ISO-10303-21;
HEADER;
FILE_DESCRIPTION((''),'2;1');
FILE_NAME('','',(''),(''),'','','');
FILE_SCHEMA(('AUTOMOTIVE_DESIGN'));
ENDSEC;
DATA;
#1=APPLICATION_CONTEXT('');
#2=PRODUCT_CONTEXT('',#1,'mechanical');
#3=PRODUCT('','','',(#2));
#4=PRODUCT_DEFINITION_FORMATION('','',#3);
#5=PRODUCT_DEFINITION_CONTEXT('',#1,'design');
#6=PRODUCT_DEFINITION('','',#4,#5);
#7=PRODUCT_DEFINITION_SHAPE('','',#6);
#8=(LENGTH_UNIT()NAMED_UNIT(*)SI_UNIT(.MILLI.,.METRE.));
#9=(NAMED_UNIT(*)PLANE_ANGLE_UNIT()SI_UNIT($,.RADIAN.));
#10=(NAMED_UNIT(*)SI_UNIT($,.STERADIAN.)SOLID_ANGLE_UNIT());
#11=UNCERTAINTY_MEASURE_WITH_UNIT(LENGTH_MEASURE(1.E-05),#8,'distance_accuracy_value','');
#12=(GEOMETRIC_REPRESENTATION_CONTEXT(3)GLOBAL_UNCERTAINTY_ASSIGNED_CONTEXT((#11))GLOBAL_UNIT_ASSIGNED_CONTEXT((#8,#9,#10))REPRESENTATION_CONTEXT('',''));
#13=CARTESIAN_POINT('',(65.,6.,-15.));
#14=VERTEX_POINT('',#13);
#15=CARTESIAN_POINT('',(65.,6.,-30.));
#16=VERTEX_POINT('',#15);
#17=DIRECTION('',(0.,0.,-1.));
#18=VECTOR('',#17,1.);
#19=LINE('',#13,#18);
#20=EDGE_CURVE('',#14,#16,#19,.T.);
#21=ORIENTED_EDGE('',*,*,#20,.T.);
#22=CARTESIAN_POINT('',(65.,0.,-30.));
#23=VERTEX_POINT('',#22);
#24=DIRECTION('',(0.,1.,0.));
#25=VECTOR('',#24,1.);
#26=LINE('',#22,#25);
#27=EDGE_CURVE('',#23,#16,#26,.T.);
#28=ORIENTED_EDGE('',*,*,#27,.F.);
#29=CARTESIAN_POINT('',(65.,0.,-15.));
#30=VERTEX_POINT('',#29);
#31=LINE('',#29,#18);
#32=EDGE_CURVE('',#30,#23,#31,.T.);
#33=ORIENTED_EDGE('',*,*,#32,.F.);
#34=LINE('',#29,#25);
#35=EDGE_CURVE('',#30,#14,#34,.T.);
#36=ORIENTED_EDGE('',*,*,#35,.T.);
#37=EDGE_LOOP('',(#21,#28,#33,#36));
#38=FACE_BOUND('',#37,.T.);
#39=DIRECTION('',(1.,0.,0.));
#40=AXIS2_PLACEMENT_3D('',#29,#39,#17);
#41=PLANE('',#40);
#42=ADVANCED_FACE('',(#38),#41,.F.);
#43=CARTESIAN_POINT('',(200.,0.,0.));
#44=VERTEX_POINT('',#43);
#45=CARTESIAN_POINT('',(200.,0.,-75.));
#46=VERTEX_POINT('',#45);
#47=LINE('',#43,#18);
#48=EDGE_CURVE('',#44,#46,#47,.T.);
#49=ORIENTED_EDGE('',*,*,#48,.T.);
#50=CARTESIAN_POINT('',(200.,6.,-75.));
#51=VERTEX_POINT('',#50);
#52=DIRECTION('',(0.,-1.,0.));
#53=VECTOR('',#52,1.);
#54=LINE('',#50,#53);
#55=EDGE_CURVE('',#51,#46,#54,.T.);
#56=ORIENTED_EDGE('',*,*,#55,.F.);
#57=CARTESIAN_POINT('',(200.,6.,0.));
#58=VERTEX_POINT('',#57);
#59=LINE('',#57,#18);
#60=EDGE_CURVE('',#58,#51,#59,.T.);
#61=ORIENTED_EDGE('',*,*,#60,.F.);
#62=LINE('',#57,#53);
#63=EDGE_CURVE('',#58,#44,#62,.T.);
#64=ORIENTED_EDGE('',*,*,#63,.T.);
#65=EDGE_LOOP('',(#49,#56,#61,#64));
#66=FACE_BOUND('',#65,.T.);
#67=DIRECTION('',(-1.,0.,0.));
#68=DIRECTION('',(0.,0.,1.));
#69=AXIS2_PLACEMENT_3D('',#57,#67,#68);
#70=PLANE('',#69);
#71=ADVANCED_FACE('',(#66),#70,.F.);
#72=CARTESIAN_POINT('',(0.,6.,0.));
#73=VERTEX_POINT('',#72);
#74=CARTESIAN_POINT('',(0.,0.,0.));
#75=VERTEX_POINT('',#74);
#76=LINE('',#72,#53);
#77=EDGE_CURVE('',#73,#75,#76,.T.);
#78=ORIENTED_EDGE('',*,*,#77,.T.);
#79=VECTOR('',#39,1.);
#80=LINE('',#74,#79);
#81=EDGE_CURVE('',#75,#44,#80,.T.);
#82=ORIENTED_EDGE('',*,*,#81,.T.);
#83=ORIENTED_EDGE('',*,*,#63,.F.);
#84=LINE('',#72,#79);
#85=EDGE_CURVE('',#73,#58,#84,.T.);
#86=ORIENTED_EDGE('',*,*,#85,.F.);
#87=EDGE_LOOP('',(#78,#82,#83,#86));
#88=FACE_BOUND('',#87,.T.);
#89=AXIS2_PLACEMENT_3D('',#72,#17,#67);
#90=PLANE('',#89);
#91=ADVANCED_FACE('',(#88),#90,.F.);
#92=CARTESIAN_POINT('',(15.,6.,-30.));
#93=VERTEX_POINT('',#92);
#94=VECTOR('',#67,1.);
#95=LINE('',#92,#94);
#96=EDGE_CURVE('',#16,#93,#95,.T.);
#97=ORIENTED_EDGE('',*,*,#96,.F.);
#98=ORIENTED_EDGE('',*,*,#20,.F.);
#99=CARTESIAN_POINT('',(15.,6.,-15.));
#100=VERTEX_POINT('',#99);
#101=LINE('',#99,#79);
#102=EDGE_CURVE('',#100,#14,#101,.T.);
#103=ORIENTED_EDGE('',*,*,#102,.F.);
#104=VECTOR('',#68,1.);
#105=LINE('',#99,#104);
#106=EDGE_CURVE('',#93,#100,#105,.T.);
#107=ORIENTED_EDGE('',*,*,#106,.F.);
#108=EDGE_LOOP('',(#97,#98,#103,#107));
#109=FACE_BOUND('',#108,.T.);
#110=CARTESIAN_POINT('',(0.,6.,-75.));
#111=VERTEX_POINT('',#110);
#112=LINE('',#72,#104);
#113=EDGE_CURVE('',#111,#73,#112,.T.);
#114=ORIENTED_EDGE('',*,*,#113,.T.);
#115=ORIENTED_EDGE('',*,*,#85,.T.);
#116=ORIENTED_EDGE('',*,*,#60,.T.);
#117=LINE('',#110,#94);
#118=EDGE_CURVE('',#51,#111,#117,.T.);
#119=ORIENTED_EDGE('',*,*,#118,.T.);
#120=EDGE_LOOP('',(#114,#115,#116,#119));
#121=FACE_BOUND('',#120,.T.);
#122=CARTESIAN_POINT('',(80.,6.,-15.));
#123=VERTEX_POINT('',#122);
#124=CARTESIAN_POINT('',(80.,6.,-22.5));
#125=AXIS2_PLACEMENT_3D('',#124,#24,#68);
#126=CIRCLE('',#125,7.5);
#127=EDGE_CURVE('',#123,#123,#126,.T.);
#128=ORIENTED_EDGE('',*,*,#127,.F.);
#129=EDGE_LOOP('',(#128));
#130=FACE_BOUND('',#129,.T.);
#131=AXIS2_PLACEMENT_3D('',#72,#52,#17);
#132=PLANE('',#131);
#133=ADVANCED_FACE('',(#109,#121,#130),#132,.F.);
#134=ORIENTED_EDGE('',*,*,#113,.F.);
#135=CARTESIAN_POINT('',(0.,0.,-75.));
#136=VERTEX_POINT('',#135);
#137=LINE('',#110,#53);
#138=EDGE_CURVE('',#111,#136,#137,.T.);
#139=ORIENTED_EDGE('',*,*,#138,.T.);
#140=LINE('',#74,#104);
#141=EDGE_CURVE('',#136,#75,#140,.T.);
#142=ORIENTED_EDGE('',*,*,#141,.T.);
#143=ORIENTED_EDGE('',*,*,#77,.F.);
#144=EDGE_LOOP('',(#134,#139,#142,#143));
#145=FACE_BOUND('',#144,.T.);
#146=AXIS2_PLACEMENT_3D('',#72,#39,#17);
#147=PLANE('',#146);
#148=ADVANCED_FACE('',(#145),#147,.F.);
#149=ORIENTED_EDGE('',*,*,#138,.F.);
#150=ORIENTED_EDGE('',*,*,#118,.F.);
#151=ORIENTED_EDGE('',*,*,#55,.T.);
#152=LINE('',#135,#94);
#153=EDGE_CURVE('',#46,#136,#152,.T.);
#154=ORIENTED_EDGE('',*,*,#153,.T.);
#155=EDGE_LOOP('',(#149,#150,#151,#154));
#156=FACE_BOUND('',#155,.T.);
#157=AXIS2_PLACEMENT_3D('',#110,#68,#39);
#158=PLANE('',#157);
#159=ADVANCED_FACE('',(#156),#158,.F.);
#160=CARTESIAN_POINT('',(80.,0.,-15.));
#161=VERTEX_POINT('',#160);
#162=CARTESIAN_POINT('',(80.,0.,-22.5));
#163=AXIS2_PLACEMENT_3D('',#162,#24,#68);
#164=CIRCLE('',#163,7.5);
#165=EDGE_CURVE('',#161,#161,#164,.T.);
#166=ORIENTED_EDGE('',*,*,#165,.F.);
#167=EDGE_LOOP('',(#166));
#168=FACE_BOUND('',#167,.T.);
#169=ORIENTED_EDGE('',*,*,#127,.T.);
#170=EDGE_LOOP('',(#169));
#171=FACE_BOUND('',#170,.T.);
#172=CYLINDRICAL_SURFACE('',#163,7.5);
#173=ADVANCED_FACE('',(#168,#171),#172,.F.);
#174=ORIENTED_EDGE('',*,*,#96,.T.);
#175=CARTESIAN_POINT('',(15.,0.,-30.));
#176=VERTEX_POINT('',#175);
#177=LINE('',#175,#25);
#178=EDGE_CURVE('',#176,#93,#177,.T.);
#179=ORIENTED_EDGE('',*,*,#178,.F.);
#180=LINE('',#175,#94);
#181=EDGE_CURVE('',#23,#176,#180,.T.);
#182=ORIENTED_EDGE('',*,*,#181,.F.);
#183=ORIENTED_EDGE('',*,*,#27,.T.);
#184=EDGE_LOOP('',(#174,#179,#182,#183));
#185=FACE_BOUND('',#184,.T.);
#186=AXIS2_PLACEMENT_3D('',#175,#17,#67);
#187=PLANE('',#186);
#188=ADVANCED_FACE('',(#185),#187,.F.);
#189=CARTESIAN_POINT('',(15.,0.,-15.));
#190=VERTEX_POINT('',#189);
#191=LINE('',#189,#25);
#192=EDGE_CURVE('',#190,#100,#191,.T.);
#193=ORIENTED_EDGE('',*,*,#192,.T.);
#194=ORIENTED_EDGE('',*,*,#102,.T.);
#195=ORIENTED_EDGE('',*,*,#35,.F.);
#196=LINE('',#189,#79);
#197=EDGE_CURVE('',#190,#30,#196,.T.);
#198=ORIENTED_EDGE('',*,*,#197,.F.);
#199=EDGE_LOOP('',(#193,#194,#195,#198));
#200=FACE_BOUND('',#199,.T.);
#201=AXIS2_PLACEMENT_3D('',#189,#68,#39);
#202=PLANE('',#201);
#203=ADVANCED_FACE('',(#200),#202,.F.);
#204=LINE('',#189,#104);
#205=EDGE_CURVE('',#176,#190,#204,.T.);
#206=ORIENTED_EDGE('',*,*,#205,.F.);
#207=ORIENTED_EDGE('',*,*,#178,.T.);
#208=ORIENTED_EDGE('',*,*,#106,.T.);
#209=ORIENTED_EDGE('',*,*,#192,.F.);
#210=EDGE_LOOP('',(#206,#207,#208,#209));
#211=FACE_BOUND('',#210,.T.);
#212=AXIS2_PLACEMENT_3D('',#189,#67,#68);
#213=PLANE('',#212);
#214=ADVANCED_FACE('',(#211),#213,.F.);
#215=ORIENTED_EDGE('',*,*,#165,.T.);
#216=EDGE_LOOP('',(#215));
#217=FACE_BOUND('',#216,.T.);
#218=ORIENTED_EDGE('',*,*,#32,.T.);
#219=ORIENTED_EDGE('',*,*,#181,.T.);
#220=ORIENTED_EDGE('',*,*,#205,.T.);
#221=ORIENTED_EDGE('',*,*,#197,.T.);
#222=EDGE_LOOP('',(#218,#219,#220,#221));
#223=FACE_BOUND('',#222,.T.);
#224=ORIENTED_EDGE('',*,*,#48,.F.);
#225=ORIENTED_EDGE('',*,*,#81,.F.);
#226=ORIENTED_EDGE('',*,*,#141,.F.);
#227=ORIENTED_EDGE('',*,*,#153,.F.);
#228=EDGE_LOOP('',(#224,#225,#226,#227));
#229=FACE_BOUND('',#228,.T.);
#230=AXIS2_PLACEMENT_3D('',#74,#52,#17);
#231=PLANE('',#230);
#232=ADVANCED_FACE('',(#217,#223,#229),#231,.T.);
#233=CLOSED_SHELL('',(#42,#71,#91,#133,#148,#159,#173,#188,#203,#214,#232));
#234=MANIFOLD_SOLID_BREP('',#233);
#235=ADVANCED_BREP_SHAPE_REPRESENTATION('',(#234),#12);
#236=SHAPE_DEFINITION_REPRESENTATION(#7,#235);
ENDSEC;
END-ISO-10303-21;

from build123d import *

# Parameters (mm, degrees)
SKETCH1_W           = 200
SKETCH1_H           = 75
BOSS_EXTRUDE1_DEPTH = 6
SKETCH2_R           = 7.5
SKETCH2_W           = 50
SKETCH2_H           = 15
CUT_EXTRUDE1_DEPTH  = 214.684346642


with BuildPart() as part:
    # Sketch1 → Boss-Extrude1 (new body)
    with BuildSketch(Plane(origin=(0, 0, 0), x_dir=(1, 0, 0), z_dir=(0, 1, 0))):
        with Locations((100, 37.5)):
            Rectangle(SKETCH1_W, SKETCH1_H)
    extrude(amount=BOSS_EXTRUDE1_DEPTH)

    # Sketch2 → Cut-Extrude1 (cut, through all)
    with BuildSketch(Plane(origin=(0, 6, 0), x_dir=(1, 0, 0), z_dir=(0, 1, 0))):
        with Locations(Location((80, 22.5, 0), (0, 0, 270))):
            Circle(SKETCH2_R)
        with Locations((40, 22.5)):
            Rectangle(SKETCH2_W, SKETCH2_H)
    extrude(amount=-CUT_EXTRUDE1_DEPTH, mode=Mode.SUBTRACT)


solid = part.part
